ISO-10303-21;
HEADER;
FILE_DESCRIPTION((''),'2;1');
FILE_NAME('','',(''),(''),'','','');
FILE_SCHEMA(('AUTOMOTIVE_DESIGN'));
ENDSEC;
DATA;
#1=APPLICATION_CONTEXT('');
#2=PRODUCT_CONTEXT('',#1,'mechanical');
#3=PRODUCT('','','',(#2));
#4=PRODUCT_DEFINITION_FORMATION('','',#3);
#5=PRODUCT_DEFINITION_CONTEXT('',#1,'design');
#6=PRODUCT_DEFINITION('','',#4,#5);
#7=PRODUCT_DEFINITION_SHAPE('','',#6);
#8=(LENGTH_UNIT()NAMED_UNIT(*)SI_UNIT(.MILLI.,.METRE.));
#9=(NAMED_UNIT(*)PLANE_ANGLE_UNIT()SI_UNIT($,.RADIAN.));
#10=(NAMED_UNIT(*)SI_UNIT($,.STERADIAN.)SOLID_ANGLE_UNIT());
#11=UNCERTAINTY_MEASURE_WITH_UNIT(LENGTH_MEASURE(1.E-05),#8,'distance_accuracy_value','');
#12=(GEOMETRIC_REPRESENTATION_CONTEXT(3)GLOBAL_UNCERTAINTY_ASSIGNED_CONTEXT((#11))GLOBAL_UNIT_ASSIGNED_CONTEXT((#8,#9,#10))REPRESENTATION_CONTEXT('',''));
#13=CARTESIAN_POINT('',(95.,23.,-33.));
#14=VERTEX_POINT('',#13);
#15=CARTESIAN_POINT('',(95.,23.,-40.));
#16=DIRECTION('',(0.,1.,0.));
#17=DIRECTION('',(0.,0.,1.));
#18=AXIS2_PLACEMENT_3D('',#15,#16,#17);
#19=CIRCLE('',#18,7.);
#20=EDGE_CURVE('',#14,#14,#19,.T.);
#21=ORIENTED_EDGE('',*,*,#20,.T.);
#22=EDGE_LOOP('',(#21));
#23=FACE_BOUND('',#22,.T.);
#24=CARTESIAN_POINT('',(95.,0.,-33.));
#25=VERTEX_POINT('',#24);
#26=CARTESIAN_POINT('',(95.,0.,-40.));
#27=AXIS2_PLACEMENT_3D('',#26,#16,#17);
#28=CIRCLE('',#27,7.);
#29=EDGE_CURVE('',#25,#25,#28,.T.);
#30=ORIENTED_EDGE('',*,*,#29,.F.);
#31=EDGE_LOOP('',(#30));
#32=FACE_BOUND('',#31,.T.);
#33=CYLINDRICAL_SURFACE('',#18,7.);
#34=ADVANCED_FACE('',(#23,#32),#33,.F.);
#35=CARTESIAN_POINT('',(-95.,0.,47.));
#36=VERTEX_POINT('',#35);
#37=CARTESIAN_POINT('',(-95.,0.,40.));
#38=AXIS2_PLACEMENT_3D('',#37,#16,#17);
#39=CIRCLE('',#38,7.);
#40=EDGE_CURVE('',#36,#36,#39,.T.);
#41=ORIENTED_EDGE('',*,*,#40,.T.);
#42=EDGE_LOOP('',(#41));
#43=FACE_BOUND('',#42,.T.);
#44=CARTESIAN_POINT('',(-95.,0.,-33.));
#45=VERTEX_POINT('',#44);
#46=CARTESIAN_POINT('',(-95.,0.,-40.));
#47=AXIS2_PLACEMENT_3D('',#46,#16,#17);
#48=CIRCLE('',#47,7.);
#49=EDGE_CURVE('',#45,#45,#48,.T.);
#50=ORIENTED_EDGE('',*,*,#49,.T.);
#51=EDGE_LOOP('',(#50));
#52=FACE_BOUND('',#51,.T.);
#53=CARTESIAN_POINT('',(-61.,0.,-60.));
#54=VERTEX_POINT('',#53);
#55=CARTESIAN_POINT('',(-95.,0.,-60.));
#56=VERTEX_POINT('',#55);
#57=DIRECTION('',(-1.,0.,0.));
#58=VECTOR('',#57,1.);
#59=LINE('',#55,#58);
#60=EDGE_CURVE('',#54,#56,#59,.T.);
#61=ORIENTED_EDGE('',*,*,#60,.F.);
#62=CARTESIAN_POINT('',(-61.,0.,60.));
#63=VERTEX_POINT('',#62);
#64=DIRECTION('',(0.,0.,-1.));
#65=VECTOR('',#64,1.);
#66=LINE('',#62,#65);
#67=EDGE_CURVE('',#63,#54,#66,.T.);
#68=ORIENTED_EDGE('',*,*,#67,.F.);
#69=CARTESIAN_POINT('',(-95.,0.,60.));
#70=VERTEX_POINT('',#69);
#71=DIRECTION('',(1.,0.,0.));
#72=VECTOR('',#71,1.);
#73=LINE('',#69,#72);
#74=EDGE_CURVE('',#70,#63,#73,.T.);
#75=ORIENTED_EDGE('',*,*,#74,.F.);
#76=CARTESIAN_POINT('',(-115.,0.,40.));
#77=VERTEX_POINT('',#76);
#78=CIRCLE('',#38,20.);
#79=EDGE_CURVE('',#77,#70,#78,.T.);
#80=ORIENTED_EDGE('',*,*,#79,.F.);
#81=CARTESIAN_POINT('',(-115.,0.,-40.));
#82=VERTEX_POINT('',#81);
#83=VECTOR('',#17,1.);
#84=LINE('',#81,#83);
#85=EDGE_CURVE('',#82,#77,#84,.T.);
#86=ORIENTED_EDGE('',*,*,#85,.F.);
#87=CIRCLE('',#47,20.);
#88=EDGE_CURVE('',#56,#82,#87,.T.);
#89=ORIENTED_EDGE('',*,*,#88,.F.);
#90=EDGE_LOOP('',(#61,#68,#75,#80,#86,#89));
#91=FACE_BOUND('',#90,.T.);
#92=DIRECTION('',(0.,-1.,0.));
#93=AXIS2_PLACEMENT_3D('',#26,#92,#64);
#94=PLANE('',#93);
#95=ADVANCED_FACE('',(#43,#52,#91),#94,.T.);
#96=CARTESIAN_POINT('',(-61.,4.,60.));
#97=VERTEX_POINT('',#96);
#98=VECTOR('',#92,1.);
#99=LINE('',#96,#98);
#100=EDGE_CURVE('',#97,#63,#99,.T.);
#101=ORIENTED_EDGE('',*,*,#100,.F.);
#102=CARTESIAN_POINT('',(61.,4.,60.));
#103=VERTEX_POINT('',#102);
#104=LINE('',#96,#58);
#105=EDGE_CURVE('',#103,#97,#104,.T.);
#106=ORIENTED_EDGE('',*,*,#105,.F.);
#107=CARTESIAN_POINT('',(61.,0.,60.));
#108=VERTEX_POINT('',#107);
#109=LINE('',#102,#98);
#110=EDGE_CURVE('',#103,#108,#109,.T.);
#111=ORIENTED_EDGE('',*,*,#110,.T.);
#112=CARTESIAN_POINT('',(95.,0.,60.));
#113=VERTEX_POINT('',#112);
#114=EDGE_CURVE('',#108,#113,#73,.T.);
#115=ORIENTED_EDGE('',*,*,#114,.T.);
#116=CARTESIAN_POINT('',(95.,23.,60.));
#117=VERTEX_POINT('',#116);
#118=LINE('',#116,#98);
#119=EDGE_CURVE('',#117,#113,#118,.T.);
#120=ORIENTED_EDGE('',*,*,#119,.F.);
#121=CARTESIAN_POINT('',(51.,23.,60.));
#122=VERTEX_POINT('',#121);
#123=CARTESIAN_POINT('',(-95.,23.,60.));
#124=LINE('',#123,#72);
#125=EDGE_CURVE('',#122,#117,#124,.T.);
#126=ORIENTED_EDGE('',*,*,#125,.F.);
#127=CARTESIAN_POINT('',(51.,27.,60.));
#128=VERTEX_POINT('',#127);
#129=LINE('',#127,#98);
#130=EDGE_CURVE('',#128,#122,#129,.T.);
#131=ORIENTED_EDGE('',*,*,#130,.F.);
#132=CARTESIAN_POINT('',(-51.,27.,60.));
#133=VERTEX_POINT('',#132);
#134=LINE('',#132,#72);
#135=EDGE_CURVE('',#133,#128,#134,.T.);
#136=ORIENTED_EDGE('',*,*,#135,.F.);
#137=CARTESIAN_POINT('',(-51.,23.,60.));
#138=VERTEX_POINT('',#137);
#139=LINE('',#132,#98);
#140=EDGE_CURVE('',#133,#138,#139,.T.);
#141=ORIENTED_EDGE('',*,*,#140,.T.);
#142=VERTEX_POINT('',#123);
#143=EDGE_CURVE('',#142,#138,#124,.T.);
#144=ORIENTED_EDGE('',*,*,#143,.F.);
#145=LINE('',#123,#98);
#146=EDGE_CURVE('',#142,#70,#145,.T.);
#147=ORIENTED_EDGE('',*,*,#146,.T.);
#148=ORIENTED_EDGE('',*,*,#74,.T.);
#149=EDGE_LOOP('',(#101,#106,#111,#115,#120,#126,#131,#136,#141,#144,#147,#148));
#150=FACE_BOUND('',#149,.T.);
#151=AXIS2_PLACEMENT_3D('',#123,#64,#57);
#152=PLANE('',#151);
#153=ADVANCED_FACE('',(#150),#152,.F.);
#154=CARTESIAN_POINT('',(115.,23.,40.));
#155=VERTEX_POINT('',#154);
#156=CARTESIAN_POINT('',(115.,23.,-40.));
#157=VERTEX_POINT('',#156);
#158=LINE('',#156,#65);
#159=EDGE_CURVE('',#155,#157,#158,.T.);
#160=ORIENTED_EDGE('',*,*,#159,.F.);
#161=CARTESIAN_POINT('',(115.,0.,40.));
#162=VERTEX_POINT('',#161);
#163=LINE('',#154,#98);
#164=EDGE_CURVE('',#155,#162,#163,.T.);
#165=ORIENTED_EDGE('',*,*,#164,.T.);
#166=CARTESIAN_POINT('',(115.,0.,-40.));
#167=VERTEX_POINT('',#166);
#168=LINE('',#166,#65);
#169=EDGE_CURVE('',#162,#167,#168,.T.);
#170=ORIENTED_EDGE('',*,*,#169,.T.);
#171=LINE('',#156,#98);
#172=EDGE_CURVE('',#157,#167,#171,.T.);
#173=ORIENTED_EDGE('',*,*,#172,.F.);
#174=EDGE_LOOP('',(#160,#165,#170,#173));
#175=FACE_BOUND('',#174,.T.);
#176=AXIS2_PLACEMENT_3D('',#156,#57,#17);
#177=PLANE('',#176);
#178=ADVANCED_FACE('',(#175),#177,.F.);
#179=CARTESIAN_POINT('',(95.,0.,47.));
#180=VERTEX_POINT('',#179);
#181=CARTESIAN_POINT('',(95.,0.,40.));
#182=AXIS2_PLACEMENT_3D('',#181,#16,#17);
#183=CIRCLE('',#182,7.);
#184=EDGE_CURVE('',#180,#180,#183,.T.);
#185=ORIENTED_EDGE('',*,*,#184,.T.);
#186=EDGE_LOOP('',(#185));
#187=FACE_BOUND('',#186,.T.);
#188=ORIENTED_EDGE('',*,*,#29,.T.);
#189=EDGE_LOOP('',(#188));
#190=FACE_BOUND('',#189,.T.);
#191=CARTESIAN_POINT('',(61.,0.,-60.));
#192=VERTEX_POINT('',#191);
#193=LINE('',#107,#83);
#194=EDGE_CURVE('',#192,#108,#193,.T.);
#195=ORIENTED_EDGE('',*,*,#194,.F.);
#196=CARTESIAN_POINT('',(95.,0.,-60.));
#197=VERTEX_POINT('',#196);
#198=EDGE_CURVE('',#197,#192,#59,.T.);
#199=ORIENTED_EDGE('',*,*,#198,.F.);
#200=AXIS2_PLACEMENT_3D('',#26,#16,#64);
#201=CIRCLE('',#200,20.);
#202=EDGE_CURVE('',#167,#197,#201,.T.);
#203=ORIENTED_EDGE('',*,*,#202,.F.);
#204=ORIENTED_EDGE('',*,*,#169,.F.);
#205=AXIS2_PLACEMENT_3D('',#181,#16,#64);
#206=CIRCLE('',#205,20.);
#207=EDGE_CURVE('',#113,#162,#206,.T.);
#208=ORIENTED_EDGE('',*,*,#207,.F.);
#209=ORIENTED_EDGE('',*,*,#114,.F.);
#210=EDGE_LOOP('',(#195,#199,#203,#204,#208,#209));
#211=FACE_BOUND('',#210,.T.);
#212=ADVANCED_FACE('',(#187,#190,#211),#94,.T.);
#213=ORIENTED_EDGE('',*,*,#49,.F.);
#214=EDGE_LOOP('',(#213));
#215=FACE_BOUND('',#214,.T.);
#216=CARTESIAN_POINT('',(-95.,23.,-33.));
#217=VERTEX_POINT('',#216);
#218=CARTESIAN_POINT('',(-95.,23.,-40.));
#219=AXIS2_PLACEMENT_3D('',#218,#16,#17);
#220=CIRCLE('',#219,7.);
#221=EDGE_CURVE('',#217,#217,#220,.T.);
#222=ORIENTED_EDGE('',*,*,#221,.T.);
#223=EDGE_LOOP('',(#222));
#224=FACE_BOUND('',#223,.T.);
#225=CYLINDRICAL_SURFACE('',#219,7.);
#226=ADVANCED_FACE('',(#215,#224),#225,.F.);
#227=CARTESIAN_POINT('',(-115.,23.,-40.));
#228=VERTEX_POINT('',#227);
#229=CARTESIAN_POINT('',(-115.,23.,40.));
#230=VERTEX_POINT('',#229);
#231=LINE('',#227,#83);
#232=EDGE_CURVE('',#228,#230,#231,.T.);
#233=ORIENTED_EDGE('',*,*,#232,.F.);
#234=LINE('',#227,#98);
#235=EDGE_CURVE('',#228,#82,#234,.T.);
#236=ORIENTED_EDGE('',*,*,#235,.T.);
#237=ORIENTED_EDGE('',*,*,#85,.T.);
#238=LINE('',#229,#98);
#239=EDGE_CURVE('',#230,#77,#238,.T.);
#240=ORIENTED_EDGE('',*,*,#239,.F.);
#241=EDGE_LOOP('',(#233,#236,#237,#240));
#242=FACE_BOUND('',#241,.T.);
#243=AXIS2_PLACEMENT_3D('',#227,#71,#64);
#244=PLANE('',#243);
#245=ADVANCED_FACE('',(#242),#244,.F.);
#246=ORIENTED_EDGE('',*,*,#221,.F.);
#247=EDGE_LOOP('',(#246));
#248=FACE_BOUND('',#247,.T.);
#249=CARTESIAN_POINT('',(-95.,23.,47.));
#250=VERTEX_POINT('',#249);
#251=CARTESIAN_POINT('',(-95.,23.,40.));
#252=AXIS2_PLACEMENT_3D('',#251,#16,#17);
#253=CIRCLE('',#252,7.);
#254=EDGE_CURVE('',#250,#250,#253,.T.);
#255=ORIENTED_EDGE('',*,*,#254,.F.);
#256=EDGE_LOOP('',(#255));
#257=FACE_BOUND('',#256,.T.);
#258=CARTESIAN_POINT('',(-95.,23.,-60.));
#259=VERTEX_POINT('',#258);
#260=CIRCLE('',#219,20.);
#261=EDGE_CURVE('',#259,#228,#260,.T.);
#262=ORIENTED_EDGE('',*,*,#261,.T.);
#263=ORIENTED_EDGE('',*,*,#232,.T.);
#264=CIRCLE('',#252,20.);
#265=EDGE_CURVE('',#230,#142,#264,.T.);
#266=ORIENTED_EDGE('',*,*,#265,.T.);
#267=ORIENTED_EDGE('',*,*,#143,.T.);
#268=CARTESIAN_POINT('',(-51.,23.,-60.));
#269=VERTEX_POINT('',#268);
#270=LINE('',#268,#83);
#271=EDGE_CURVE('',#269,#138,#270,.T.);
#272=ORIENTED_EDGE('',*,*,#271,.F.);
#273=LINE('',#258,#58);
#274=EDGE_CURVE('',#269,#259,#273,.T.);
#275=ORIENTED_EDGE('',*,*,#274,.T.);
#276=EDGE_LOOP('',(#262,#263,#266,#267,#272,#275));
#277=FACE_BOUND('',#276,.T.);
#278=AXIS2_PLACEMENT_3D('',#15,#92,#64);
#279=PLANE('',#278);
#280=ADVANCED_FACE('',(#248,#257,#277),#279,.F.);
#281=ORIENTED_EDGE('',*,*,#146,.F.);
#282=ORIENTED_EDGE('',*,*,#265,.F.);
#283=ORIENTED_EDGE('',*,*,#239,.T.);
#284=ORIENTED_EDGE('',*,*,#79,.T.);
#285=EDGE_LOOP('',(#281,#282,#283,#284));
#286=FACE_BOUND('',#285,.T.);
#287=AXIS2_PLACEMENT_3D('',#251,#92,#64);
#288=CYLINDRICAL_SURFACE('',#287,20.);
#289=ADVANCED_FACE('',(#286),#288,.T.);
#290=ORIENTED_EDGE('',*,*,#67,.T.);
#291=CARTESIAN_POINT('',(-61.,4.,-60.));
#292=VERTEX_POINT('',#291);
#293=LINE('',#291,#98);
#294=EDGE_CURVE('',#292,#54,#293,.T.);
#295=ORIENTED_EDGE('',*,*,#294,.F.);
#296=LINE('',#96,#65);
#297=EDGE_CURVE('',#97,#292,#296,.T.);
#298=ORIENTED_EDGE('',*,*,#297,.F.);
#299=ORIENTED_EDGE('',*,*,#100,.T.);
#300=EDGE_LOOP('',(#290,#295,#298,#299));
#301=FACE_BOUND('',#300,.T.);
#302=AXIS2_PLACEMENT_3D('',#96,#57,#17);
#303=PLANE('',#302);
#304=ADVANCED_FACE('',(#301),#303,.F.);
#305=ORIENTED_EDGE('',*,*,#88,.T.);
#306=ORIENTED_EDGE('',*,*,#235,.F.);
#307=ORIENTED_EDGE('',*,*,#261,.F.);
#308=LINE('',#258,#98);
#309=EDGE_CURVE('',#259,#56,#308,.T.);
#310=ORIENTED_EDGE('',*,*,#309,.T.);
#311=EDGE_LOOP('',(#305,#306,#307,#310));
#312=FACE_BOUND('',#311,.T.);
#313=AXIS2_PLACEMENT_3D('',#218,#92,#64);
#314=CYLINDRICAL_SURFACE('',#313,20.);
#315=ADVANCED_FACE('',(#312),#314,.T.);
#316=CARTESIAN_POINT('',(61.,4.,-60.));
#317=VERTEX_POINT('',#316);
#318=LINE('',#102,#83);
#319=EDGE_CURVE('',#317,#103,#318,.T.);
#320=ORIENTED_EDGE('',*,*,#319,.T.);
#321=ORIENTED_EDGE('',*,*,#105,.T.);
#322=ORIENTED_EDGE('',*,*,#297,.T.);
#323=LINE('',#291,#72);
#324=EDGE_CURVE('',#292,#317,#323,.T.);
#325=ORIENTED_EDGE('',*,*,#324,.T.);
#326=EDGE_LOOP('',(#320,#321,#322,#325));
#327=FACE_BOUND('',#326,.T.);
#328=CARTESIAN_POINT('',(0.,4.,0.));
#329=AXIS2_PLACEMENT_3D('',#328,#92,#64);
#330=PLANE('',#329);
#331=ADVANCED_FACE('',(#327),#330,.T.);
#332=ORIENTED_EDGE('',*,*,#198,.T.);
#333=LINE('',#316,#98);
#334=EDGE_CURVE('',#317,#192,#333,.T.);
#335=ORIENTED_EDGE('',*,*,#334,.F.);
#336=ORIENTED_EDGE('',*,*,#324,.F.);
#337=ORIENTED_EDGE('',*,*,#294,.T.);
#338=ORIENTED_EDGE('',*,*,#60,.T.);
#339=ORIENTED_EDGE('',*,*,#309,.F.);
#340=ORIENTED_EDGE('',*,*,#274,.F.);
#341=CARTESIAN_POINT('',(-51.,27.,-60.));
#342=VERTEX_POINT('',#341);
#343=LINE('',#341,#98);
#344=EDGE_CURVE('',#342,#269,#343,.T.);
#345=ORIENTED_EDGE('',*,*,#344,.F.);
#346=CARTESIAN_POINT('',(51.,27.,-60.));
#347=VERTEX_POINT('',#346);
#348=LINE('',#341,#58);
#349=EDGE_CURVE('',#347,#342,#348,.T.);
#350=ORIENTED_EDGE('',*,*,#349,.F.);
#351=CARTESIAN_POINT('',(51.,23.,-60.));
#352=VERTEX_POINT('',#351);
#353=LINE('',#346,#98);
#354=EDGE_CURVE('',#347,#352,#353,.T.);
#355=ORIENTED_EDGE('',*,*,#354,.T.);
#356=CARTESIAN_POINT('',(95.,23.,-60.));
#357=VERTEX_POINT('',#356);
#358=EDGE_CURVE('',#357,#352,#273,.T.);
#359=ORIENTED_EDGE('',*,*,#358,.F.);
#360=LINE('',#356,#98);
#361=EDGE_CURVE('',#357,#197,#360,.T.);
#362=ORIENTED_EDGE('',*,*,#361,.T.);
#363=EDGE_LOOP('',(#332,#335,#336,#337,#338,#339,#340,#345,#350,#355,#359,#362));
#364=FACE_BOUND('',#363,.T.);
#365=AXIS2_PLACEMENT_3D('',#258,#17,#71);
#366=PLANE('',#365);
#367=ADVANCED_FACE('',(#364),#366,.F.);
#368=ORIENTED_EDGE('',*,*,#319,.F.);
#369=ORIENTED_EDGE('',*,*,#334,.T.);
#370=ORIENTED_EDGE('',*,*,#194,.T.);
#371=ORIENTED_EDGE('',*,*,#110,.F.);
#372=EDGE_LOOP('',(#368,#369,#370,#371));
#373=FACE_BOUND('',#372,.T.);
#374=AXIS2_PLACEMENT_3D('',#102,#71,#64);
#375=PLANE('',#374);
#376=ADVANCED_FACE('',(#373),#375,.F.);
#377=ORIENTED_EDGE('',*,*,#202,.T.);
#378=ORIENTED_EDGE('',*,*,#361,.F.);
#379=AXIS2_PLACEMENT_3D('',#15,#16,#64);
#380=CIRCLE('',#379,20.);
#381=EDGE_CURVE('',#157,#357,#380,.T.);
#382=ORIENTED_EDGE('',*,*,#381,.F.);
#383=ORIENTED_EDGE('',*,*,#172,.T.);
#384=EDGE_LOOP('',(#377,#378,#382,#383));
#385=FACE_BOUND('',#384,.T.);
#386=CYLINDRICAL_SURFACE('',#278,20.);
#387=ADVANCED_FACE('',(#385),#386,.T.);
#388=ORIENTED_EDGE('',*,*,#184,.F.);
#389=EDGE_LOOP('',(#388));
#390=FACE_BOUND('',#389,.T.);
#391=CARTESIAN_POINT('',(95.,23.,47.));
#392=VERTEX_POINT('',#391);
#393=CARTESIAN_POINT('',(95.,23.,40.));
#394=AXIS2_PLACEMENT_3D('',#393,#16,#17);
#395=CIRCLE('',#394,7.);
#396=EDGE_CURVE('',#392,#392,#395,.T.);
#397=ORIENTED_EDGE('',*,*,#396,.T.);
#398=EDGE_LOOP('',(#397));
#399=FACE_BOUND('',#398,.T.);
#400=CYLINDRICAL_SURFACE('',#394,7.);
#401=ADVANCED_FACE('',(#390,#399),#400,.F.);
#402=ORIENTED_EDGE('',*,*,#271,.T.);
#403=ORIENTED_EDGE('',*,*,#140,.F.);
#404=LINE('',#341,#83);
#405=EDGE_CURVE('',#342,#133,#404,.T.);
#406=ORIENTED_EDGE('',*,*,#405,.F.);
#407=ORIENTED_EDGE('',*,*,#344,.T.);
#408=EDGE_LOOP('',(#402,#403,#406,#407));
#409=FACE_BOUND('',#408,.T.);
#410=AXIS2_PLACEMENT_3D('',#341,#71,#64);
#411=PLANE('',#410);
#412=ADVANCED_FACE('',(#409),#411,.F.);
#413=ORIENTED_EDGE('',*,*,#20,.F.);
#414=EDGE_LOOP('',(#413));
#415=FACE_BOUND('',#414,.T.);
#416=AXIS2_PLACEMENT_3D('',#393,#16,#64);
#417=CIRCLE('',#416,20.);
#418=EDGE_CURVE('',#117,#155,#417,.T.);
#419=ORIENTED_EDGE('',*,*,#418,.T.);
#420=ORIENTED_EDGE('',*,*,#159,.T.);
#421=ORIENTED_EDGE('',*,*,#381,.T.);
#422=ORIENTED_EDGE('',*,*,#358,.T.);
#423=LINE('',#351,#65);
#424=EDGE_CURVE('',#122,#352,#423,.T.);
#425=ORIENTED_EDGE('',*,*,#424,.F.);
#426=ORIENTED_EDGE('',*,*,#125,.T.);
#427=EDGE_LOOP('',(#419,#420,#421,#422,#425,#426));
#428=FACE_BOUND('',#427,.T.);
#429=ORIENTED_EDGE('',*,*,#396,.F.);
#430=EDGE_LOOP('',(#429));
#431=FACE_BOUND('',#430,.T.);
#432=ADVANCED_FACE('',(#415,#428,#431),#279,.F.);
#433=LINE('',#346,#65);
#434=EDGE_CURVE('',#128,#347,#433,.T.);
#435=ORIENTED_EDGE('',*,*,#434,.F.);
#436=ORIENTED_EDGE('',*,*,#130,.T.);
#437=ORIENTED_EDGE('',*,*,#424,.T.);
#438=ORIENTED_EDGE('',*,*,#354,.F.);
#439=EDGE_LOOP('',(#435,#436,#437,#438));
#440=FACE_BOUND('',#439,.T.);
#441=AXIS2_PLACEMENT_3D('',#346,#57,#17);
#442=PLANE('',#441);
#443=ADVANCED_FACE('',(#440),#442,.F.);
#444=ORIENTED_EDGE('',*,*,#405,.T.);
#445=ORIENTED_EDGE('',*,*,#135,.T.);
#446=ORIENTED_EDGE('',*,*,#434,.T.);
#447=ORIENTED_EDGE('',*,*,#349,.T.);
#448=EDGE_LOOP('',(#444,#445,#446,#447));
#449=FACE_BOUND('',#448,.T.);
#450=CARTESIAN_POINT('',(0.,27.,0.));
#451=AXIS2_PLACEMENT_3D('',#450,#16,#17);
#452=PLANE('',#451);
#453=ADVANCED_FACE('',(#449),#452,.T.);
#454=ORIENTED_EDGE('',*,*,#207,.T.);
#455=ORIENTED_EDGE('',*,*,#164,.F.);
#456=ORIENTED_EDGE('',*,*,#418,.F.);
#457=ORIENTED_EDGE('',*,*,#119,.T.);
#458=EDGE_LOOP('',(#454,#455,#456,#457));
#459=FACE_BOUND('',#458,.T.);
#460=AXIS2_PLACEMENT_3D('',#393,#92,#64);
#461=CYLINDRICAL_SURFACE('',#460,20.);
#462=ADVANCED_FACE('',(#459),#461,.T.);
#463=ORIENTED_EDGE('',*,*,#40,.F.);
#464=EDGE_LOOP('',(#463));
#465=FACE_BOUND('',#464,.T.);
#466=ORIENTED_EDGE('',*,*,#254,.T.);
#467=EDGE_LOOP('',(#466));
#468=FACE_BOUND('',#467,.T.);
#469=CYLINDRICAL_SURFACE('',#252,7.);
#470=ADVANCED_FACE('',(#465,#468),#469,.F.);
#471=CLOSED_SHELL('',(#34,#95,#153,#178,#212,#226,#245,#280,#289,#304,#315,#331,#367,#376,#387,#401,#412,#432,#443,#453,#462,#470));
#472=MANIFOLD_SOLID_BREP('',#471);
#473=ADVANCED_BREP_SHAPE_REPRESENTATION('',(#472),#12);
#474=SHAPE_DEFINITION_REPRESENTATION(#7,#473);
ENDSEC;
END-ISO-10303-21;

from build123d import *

# Parameters (mm, degrees)
BOSS_EXTRUDE1_DEPTH = 23
SKETCH3_W           = 102
SKETCH3_H           = 120
BOSS_EXTRUDE2_DEPTH = 4
SKETCH4_W           = 122
SKETCH4_H           = 120
CUT_EXTRUDE1_DEPTH  = 4
M16_TAPPED_HOLE1_D  = 14


with BuildPart() as part:
    # Sketch1 → Boss-Extrude1 (new body)
    with BuildSketch(Plane(origin=(0, 0, 0), x_dir=(1, 0, 0), z_dir=(0, 1, 0))):
        with BuildLine():
            Line((-95, 60), (95, 60))
            ThreePointArc((95, 60), (109.142135624, 54.142135624), (115, 40))
            Line((115, 40), (115, -40))
            ThreePointArc((115, -40), (109.142135624, -54.142135624), (95, -60))
            Line((95, -60), (-95, -60))
            ThreePointArc((-95, -60), (-109.142135624, -54.142135624), (-115, -40))
            Line((-115, -40), (-115, 40))
            ThreePointArc((-115, 40), (-109.142135624, 54.142135624), (-95, 60))
        make_face()
    extrude(amount=BOSS_EXTRUDE1_DEPTH)

    # Sketch3 → Boss-Extrude2 (add)
    with BuildSketch(Plane(origin=(0, 23, 0), x_dir=(1, 0, 0), z_dir=(0, 1, 0))):
        Rectangle(SKETCH3_W, SKETCH3_H)
    extrude(amount=BOSS_EXTRUDE2_DEPTH)

    # Sketch4 → Cut-Extrude1 (cut)
    with BuildSketch(Plane.XZ):
        Rectangle(SKETCH4_W, SKETCH4_H)
    extrude(amount=-CUT_EXTRUDE1_DEPTH, mode=Mode.SUBTRACT)

    # M16 Tapped Hole1 (through all)
    with Locations(Plane(origin=(-95, 23, -40), x_dir=(0, 0, 1), z_dir=(0, 1, 0))):
        with Locations((0, 0), (80, 0), (0, 190), (80, 190)):
            Hole(M16_TAPPED_HOLE1_D / 2)


solid = part.part
